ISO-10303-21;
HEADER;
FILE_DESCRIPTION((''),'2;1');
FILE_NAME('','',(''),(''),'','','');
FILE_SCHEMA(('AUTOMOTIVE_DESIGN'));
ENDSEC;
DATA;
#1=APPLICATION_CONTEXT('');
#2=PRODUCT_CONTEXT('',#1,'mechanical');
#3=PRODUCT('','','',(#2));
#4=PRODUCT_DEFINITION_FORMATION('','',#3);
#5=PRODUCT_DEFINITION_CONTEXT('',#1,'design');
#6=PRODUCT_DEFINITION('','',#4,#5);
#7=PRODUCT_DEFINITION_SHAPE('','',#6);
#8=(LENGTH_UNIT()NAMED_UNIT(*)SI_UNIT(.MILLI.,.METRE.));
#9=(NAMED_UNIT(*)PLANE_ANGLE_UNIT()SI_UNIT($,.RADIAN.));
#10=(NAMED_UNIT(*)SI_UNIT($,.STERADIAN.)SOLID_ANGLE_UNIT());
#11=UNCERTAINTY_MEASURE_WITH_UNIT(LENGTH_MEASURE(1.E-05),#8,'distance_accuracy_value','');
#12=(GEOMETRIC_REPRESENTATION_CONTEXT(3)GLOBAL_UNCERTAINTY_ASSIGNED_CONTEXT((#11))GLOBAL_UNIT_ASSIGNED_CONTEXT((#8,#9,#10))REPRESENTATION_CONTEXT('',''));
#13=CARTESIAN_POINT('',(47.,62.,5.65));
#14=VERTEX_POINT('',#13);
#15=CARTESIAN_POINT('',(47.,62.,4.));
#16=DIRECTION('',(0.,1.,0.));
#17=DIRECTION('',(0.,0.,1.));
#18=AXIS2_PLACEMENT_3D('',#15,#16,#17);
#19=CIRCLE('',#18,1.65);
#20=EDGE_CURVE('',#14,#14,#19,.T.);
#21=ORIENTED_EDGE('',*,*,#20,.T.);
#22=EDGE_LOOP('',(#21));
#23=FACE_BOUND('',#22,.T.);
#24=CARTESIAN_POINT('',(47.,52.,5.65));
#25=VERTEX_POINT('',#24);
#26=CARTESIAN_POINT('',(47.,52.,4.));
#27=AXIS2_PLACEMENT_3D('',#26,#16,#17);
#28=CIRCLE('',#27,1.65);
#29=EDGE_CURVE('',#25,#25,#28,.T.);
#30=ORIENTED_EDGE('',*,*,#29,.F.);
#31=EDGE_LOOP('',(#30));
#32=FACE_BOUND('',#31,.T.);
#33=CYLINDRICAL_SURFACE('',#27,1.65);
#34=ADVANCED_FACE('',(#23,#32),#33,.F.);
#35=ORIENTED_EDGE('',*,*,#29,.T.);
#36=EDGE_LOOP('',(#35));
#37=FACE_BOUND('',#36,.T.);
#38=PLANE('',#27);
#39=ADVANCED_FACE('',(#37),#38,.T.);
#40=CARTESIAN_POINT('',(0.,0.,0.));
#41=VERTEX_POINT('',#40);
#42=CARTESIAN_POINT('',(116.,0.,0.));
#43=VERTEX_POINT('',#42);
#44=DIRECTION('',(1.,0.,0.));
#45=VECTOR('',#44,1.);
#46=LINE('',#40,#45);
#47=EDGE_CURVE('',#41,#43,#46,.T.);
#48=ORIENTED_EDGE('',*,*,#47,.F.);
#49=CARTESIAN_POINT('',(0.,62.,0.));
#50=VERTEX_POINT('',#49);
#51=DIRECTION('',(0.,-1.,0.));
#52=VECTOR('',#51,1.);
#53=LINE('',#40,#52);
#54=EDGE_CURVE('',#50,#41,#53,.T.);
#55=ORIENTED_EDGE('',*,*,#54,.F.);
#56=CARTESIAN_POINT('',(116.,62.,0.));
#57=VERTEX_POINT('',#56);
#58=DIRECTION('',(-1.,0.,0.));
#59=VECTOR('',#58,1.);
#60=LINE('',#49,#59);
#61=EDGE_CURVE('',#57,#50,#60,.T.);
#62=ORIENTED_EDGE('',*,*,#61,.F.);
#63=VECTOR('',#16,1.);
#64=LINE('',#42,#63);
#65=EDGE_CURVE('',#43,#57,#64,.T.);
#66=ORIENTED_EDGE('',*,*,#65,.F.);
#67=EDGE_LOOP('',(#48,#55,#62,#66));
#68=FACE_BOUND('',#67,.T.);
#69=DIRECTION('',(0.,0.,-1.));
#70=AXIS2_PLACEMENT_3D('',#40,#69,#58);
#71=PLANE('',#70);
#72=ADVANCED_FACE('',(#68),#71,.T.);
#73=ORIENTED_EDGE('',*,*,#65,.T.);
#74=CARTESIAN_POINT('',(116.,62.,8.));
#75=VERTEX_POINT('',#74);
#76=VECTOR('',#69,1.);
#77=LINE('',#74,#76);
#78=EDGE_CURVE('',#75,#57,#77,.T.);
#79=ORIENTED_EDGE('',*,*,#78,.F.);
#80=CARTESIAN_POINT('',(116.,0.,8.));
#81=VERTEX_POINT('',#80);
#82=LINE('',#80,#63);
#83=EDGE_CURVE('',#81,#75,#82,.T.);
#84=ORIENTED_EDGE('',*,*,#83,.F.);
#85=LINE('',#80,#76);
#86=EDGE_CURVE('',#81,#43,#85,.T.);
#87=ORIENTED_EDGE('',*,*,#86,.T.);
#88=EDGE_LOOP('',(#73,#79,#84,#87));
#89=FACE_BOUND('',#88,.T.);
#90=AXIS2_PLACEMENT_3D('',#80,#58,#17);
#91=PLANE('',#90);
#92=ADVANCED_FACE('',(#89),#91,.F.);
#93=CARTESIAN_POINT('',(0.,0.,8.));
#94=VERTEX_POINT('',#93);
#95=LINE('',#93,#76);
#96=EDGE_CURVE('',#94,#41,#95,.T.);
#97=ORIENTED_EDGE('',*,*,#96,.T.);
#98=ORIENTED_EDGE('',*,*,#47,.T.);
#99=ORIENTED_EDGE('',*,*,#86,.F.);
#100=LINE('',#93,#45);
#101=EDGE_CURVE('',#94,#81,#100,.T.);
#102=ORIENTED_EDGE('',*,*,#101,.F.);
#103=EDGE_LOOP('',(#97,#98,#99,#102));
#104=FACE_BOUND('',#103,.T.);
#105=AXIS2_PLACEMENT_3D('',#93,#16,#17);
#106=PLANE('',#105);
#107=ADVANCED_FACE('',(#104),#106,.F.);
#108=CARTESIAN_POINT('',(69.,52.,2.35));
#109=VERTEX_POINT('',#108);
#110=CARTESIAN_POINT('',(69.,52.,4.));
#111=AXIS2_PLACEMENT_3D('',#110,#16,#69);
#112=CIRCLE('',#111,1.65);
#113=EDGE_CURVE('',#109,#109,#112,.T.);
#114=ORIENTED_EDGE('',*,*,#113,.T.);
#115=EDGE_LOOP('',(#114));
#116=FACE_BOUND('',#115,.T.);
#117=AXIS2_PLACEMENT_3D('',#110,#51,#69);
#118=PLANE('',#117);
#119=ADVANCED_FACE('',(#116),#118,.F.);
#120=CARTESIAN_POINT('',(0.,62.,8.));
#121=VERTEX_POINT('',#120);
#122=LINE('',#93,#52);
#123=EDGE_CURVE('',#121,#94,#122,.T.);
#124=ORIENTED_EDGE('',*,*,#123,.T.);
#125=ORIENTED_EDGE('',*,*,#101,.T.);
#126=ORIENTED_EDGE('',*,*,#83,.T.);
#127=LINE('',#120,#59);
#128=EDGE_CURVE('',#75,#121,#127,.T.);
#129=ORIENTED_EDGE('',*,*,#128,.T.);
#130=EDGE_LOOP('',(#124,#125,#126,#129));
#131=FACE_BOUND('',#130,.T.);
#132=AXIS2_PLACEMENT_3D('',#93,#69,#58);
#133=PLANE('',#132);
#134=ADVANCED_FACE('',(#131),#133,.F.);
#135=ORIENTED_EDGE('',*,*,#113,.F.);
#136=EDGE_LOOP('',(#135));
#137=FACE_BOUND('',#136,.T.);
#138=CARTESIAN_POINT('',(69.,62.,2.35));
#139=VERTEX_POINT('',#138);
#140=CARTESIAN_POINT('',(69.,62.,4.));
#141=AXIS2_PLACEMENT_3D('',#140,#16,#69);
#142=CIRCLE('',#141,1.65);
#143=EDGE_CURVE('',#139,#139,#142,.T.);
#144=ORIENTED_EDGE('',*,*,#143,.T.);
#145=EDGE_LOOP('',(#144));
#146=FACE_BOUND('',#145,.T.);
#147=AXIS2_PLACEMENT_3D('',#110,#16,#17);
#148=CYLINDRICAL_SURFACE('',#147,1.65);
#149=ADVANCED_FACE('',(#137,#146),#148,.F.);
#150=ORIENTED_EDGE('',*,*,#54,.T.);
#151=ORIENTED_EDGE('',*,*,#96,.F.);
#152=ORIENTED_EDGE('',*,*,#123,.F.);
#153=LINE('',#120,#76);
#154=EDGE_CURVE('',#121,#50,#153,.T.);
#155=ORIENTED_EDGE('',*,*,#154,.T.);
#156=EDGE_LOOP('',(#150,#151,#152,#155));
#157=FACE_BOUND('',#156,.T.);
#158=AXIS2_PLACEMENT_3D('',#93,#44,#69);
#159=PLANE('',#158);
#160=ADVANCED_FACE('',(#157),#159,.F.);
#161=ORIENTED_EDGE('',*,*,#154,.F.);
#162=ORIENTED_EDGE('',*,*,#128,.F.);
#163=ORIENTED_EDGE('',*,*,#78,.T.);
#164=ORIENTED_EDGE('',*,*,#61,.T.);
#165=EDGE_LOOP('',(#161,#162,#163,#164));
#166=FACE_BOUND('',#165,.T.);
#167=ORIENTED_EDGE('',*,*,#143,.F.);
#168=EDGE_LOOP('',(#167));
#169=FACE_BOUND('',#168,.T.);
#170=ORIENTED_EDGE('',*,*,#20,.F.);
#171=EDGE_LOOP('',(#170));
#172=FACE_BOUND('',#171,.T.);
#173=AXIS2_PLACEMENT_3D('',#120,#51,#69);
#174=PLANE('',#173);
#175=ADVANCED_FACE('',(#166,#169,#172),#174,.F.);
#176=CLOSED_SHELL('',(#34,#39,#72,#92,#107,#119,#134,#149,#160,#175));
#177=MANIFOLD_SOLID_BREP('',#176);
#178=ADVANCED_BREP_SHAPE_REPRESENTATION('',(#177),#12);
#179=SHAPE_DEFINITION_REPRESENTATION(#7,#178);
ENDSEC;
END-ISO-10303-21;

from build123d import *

# Parameters (mm, degrees)
ESQUISSE1_W             = 116
ESQUISSE1_H             = 62
BOSS_EXTRU_1_DEPTH      = 8
ESQUISSE2_R             = 1.65
ENL_V_MAT_EXTRU_1_DEPTH = 10


with BuildPart() as part:
    # Esquisse1 → Boss.-Extru.1 (new body)
    with BuildSketch(Plane.XY):
        with Locations((58, 31)):
            Rectangle(ESQUISSE1_W, ESQUISSE1_H)
    extrude(amount=BOSS_EXTRU_1_DEPTH)

    # Esquisse2 → Enlèv. mat.-Extru.1 (cut)
    with BuildSketch(Plane(origin=(0, 62, 0), x_dir=(1, 0, 0), z_dir=(0, 1, 0))):
        with Locations((47, -4)):
            Circle(ESQUISSE2_R)
        with Locations((69, -4)):
            Circle(ESQUISSE2_R)
    extrude(amount=-ENL_V_MAT_EXTRU_1_DEPTH, mode=Mode.SUBTRACT)


solid = part.part
